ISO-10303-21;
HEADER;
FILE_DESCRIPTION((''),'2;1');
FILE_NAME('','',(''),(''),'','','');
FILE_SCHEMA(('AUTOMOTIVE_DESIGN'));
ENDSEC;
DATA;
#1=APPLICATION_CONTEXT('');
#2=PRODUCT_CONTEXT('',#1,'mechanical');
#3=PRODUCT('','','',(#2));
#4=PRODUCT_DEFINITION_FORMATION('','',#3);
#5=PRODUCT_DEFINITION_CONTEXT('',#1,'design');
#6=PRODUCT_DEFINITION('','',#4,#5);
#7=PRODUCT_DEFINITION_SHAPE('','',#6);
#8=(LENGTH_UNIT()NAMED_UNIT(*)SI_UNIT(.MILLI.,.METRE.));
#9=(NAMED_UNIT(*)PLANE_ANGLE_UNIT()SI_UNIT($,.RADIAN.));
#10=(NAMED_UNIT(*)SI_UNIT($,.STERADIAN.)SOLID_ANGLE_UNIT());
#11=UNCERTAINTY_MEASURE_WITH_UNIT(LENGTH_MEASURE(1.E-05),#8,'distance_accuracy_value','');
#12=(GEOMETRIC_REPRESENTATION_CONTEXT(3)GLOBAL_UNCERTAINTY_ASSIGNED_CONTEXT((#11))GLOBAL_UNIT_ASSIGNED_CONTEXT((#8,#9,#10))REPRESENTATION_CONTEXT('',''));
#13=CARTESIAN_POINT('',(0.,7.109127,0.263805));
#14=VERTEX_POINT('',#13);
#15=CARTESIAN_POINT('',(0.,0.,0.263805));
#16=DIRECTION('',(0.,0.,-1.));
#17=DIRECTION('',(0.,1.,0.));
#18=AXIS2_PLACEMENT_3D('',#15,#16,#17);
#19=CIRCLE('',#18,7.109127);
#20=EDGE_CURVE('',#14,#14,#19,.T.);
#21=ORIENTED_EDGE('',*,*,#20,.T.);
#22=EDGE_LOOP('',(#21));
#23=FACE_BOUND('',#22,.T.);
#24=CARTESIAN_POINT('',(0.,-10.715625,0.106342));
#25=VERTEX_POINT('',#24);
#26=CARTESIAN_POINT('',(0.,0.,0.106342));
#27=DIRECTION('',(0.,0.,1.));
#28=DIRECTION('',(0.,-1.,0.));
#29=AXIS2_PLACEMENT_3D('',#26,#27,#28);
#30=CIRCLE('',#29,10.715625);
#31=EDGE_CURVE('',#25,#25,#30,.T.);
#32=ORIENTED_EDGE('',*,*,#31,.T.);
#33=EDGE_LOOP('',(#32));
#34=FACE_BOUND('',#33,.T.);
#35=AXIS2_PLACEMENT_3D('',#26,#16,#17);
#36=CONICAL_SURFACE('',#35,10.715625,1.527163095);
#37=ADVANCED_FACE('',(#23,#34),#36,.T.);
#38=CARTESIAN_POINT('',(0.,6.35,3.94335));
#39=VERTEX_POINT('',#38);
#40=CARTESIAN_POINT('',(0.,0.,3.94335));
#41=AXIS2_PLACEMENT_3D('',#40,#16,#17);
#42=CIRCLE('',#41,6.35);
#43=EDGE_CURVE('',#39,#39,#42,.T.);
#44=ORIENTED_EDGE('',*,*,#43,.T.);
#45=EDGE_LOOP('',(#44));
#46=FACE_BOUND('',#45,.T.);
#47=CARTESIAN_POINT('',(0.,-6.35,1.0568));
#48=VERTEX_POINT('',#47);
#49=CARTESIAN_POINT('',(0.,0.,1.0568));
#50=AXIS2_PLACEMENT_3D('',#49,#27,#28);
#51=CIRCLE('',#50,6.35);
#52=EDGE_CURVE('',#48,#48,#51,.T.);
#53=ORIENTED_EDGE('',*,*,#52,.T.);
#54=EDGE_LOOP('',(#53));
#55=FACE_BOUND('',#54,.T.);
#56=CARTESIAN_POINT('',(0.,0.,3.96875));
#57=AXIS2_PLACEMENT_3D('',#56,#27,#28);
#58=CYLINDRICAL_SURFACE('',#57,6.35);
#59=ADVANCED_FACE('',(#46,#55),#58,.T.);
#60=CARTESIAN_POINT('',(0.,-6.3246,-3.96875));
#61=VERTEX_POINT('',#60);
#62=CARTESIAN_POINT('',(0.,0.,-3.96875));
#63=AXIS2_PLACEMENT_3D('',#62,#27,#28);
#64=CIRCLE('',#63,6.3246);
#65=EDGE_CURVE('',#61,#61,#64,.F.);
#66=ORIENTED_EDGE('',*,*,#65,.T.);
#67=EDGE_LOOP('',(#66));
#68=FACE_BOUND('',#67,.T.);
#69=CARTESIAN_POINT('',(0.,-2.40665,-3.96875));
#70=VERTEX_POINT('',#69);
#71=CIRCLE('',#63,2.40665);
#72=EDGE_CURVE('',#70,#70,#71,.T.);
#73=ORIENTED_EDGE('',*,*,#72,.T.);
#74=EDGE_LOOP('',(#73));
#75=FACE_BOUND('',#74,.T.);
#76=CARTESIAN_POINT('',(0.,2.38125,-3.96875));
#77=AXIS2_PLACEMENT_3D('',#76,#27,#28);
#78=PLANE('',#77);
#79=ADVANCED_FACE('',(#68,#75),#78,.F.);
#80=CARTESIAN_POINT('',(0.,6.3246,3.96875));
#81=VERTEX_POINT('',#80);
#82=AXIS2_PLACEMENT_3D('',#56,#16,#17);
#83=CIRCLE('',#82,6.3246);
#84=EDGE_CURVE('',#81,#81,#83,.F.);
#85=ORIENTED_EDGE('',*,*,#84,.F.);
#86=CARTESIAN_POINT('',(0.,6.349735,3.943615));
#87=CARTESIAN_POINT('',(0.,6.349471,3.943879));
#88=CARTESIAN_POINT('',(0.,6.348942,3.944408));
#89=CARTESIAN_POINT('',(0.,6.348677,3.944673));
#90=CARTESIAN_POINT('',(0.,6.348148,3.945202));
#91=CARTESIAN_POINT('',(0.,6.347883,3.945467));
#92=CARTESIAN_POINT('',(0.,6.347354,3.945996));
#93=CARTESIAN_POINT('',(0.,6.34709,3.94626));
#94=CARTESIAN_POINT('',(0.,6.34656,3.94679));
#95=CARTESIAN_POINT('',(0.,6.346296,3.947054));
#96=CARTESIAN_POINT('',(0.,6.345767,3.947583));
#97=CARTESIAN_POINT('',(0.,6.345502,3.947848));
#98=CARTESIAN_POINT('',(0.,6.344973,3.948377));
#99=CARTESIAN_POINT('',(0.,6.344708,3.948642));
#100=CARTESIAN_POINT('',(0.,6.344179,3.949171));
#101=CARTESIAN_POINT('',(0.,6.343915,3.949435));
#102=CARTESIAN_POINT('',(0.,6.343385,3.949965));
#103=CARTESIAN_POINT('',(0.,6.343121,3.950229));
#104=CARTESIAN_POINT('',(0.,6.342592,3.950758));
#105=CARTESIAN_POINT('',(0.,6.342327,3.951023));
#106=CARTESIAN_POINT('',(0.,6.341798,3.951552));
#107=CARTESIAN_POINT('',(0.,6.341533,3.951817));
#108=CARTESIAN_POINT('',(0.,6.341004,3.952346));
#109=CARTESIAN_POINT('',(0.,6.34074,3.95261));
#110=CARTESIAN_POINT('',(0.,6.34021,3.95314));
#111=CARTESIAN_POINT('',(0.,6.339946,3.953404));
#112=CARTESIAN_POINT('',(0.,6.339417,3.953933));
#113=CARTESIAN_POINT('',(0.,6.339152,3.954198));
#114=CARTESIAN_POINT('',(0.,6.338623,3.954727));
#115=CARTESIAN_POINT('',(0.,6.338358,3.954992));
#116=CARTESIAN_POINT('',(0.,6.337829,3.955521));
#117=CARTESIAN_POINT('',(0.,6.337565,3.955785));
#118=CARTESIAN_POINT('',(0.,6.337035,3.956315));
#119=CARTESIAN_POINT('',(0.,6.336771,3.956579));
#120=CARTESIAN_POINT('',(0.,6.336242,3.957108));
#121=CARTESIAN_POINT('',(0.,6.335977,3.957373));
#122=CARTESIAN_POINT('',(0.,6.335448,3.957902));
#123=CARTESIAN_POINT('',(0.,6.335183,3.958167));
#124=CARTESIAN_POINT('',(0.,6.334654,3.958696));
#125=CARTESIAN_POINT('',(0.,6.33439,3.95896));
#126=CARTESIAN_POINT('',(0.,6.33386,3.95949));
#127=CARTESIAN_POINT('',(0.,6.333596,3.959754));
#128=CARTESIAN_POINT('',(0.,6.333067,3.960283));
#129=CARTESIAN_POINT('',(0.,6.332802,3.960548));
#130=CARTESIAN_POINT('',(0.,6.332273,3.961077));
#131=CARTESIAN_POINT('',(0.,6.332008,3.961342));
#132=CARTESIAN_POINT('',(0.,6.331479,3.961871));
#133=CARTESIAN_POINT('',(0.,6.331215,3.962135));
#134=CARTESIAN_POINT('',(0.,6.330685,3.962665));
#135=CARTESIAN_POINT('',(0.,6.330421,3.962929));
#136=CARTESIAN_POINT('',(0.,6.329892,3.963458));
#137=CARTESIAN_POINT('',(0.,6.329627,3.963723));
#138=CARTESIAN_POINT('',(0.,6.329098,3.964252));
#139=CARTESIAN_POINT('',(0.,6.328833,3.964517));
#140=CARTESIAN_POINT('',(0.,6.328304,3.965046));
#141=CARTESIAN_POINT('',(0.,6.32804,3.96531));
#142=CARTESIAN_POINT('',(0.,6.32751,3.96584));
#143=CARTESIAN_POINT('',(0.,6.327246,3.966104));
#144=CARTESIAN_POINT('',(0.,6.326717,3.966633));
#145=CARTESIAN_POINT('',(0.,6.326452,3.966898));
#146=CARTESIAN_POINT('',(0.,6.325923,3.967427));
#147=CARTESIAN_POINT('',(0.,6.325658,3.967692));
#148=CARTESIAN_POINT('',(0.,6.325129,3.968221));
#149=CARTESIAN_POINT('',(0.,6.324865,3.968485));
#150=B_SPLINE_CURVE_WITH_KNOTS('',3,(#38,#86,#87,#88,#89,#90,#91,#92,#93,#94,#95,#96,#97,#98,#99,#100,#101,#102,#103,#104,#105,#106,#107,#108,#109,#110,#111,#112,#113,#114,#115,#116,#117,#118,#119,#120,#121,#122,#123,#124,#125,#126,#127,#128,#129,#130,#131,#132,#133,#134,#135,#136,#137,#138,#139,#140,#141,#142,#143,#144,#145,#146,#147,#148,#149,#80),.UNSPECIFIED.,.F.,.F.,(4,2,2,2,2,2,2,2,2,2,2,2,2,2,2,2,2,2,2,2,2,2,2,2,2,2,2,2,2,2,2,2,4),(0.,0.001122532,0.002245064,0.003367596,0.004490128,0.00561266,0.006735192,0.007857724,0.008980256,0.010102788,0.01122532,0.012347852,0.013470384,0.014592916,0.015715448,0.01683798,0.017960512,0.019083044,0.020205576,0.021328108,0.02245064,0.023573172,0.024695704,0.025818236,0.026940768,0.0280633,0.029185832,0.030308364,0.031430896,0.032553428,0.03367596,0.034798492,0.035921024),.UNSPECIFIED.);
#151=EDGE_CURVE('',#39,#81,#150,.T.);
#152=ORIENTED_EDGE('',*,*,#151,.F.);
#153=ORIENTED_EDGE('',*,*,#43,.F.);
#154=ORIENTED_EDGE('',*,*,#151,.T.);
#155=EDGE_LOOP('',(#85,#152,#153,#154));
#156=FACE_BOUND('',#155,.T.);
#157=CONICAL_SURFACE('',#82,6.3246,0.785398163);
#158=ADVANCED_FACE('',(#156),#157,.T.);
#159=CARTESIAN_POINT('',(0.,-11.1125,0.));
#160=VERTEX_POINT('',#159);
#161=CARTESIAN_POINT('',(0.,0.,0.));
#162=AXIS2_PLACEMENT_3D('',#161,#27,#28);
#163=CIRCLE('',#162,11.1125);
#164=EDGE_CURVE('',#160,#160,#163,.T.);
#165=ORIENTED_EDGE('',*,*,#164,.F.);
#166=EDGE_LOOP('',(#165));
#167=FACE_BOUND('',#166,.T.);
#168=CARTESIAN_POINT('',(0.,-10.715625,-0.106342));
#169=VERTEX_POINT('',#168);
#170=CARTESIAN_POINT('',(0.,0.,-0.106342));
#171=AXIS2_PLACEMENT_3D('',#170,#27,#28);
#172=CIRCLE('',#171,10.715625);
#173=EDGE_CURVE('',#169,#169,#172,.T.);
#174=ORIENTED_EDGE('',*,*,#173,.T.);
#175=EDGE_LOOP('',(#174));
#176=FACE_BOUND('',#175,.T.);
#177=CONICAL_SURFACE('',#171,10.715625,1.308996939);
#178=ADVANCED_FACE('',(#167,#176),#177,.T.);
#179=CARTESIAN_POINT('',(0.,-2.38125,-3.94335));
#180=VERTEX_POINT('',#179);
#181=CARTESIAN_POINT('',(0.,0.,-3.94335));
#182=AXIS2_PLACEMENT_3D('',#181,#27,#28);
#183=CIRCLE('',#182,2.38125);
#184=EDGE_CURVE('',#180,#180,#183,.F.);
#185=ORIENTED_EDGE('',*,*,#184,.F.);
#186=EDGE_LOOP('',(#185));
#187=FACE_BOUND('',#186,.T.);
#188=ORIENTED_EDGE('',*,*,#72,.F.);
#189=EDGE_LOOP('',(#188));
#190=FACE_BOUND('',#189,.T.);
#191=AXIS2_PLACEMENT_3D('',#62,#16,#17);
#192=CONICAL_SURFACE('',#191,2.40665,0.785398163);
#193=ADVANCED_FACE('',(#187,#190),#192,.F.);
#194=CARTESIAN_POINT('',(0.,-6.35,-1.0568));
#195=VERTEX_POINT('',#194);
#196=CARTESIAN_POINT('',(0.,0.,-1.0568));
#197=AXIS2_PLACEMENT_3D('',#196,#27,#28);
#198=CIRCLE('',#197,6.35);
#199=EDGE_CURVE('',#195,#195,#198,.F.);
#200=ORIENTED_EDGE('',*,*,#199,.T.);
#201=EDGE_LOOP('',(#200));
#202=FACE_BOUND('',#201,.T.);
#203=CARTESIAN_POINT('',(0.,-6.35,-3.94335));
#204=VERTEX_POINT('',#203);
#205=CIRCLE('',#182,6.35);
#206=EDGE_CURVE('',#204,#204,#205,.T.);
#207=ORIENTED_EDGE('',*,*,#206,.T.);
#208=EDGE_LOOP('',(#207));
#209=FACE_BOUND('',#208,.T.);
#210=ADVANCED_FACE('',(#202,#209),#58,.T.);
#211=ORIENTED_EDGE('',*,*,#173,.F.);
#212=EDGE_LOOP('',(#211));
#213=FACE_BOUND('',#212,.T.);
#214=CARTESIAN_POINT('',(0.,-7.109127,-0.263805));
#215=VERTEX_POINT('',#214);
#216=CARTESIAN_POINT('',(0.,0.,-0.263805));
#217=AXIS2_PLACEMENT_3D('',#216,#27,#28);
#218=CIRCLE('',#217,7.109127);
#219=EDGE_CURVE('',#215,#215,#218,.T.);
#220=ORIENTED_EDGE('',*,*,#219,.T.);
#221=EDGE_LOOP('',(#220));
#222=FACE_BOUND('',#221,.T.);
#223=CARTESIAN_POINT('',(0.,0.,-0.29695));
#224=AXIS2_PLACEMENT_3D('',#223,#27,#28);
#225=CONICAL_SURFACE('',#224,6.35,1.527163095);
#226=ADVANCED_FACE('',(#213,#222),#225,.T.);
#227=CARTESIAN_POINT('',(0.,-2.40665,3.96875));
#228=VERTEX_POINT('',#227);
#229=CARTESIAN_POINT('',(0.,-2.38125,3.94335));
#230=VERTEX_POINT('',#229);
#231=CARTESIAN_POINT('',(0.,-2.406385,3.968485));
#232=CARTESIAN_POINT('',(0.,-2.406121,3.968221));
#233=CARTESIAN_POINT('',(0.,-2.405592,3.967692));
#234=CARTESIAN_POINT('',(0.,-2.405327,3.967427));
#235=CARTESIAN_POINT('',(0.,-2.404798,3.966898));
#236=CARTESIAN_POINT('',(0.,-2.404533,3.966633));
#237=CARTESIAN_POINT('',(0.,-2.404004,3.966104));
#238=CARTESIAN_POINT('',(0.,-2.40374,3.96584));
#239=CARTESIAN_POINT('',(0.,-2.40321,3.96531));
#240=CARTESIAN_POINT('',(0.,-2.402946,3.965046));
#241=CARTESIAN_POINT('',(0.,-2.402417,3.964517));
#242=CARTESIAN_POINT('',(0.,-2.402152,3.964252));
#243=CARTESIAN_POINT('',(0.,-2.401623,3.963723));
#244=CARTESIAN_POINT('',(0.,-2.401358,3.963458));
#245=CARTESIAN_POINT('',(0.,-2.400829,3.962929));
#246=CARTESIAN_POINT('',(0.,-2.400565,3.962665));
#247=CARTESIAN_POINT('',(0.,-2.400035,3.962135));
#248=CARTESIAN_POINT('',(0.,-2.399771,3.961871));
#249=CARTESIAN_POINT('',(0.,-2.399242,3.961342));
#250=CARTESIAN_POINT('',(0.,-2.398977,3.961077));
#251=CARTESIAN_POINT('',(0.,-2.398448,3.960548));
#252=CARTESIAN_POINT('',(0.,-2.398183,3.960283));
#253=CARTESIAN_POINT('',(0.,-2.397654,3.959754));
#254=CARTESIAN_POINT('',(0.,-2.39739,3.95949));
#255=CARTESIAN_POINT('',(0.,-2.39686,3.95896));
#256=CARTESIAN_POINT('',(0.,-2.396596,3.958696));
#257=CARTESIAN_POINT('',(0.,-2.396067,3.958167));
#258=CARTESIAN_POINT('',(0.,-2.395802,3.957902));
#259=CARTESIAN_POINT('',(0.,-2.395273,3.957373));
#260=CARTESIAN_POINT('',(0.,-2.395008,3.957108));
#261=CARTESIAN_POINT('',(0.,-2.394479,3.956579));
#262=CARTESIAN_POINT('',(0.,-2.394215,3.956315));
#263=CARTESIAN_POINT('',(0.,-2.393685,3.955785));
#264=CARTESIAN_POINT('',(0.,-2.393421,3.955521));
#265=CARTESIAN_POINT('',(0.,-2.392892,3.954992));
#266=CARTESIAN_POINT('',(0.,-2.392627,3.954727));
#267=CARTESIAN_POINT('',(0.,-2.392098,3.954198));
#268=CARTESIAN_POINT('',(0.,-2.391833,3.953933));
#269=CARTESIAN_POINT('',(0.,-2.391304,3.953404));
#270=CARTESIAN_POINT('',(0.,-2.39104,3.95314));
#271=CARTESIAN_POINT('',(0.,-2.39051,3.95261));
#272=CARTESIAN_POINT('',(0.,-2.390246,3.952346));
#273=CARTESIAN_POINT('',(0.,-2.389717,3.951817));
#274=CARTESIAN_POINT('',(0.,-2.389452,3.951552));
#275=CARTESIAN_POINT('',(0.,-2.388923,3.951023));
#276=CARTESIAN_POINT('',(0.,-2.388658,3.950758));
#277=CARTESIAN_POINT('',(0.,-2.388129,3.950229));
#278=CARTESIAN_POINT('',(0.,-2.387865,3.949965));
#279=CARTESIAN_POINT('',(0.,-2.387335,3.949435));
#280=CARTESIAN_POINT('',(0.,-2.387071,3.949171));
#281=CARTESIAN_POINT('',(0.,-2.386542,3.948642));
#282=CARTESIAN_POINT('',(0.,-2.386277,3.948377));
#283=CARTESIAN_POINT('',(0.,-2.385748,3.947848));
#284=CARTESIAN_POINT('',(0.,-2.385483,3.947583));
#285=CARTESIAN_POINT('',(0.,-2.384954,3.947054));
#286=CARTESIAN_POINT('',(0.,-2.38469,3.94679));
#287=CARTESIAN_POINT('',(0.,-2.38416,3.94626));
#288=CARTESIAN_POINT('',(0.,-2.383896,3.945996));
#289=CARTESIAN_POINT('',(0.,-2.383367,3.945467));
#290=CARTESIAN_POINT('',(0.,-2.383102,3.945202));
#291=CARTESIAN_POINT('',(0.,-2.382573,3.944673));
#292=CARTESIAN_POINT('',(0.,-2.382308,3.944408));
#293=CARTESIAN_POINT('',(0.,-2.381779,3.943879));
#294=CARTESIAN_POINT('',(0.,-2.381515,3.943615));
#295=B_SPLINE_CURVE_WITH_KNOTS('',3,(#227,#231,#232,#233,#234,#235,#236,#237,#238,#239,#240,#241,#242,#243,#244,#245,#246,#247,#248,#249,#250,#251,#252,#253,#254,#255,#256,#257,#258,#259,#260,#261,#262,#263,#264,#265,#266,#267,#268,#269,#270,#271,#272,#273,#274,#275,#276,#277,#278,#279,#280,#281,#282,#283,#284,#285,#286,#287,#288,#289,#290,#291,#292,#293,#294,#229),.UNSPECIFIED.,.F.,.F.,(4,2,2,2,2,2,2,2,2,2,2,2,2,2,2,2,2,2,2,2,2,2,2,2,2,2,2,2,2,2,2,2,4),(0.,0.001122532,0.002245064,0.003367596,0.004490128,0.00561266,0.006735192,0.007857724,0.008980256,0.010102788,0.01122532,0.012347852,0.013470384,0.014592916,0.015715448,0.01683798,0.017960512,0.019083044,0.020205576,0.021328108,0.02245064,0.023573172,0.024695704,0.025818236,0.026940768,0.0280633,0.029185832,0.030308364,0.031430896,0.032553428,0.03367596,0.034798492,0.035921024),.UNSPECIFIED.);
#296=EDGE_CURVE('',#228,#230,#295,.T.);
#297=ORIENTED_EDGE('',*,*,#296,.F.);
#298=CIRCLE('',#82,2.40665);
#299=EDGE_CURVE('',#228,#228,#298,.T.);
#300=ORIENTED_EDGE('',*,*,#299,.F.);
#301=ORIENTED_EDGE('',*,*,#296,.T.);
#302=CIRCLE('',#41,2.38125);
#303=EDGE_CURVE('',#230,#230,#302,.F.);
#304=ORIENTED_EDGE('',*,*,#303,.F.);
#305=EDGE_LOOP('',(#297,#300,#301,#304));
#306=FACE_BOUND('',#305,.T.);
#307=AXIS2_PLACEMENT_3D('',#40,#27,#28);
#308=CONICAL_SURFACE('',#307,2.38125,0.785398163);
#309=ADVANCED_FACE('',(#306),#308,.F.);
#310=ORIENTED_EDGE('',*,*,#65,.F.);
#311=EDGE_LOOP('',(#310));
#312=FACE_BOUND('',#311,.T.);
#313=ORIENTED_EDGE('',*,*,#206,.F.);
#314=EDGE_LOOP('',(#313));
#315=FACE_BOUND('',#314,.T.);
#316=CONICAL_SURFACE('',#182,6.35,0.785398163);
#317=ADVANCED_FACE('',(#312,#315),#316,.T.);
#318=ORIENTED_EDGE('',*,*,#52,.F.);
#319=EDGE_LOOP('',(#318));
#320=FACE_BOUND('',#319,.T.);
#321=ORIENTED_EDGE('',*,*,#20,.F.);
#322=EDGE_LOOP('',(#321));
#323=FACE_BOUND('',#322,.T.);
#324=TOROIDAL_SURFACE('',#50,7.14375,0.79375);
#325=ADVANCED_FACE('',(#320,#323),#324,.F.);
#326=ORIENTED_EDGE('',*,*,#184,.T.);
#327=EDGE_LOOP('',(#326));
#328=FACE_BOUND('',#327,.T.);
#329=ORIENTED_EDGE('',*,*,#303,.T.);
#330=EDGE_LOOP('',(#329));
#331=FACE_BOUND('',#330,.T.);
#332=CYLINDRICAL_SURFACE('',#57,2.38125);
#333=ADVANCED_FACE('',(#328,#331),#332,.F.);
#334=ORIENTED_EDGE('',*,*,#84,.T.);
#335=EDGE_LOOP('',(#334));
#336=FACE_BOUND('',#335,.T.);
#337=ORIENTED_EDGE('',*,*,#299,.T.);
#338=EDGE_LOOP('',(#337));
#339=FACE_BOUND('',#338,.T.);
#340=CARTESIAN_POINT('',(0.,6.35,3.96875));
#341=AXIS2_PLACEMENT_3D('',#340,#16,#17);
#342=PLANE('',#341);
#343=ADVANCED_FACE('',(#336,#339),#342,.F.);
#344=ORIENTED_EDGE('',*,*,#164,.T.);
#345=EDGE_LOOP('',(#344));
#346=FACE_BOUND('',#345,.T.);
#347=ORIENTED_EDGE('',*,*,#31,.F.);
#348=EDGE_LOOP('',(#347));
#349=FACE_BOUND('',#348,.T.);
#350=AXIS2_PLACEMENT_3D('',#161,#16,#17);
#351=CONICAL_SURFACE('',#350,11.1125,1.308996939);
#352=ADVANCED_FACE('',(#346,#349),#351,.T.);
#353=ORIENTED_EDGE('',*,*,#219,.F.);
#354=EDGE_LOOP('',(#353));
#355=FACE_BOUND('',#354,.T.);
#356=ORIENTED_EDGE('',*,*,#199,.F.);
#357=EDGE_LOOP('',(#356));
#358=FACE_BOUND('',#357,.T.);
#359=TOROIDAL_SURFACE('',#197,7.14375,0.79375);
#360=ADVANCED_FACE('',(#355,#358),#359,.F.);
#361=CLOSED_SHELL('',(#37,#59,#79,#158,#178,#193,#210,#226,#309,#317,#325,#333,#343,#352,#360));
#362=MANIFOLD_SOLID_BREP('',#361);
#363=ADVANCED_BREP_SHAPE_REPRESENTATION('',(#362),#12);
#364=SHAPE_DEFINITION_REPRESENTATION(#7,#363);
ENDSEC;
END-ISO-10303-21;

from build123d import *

# Parameters (mm, degrees)
CHAMFER1_SIZE = 0.0254
FILLET1_R     = 0.79375


with BuildPart() as part:
    # Sketch3 → Revolve1 (revolve)
    with BuildSketch(Plane(origin=(0, 0, 0), x_dir=(0, 0, -1), z_dir=(1, 0, 0)), mode=Mode.PRIVATE) as revolve1_sk:
        Polygon((-3.96875, 2.38125), (3.96875, 2.38125), (3.96875, 6.35), (0.29694964, 6.35), (0.106342336, 10.715625), (0, 11.1125), (-0.106342336, 10.715625), (-0.29694964, 6.35), (-3.96875, 6.35), align=None)
    revolve(revolve1_sk.sketch.rotate(Axis((0, 0, 3.96875), (0, 0, -1)), 180), axis=Axis((0, 0, 3.96875), (0, 0, -1)))

    # Chamfer1
    chamfer1_edges = [part.edges().sort_by_distance(p)[0] for p in [
        (0, 2.38125, 3.96875),
        (0, 6.35, 3.96875),
        (0, 6.35, -3.96875),
        (0, 2.38125, -3.96875),
    ]]
    chamfer(chamfer1_edges, length=CHAMFER1_SIZE)

    # Fillet1
    fillet1_edges = [part.edges().sort_by_distance(p)[0] for p in [
        (0, 6.35, 0.29694964),
        (0, 6.35, -0.29694964),
    ]]
    fillet(fillet1_edges, radius=FILLET1_R)


solid = part.part
